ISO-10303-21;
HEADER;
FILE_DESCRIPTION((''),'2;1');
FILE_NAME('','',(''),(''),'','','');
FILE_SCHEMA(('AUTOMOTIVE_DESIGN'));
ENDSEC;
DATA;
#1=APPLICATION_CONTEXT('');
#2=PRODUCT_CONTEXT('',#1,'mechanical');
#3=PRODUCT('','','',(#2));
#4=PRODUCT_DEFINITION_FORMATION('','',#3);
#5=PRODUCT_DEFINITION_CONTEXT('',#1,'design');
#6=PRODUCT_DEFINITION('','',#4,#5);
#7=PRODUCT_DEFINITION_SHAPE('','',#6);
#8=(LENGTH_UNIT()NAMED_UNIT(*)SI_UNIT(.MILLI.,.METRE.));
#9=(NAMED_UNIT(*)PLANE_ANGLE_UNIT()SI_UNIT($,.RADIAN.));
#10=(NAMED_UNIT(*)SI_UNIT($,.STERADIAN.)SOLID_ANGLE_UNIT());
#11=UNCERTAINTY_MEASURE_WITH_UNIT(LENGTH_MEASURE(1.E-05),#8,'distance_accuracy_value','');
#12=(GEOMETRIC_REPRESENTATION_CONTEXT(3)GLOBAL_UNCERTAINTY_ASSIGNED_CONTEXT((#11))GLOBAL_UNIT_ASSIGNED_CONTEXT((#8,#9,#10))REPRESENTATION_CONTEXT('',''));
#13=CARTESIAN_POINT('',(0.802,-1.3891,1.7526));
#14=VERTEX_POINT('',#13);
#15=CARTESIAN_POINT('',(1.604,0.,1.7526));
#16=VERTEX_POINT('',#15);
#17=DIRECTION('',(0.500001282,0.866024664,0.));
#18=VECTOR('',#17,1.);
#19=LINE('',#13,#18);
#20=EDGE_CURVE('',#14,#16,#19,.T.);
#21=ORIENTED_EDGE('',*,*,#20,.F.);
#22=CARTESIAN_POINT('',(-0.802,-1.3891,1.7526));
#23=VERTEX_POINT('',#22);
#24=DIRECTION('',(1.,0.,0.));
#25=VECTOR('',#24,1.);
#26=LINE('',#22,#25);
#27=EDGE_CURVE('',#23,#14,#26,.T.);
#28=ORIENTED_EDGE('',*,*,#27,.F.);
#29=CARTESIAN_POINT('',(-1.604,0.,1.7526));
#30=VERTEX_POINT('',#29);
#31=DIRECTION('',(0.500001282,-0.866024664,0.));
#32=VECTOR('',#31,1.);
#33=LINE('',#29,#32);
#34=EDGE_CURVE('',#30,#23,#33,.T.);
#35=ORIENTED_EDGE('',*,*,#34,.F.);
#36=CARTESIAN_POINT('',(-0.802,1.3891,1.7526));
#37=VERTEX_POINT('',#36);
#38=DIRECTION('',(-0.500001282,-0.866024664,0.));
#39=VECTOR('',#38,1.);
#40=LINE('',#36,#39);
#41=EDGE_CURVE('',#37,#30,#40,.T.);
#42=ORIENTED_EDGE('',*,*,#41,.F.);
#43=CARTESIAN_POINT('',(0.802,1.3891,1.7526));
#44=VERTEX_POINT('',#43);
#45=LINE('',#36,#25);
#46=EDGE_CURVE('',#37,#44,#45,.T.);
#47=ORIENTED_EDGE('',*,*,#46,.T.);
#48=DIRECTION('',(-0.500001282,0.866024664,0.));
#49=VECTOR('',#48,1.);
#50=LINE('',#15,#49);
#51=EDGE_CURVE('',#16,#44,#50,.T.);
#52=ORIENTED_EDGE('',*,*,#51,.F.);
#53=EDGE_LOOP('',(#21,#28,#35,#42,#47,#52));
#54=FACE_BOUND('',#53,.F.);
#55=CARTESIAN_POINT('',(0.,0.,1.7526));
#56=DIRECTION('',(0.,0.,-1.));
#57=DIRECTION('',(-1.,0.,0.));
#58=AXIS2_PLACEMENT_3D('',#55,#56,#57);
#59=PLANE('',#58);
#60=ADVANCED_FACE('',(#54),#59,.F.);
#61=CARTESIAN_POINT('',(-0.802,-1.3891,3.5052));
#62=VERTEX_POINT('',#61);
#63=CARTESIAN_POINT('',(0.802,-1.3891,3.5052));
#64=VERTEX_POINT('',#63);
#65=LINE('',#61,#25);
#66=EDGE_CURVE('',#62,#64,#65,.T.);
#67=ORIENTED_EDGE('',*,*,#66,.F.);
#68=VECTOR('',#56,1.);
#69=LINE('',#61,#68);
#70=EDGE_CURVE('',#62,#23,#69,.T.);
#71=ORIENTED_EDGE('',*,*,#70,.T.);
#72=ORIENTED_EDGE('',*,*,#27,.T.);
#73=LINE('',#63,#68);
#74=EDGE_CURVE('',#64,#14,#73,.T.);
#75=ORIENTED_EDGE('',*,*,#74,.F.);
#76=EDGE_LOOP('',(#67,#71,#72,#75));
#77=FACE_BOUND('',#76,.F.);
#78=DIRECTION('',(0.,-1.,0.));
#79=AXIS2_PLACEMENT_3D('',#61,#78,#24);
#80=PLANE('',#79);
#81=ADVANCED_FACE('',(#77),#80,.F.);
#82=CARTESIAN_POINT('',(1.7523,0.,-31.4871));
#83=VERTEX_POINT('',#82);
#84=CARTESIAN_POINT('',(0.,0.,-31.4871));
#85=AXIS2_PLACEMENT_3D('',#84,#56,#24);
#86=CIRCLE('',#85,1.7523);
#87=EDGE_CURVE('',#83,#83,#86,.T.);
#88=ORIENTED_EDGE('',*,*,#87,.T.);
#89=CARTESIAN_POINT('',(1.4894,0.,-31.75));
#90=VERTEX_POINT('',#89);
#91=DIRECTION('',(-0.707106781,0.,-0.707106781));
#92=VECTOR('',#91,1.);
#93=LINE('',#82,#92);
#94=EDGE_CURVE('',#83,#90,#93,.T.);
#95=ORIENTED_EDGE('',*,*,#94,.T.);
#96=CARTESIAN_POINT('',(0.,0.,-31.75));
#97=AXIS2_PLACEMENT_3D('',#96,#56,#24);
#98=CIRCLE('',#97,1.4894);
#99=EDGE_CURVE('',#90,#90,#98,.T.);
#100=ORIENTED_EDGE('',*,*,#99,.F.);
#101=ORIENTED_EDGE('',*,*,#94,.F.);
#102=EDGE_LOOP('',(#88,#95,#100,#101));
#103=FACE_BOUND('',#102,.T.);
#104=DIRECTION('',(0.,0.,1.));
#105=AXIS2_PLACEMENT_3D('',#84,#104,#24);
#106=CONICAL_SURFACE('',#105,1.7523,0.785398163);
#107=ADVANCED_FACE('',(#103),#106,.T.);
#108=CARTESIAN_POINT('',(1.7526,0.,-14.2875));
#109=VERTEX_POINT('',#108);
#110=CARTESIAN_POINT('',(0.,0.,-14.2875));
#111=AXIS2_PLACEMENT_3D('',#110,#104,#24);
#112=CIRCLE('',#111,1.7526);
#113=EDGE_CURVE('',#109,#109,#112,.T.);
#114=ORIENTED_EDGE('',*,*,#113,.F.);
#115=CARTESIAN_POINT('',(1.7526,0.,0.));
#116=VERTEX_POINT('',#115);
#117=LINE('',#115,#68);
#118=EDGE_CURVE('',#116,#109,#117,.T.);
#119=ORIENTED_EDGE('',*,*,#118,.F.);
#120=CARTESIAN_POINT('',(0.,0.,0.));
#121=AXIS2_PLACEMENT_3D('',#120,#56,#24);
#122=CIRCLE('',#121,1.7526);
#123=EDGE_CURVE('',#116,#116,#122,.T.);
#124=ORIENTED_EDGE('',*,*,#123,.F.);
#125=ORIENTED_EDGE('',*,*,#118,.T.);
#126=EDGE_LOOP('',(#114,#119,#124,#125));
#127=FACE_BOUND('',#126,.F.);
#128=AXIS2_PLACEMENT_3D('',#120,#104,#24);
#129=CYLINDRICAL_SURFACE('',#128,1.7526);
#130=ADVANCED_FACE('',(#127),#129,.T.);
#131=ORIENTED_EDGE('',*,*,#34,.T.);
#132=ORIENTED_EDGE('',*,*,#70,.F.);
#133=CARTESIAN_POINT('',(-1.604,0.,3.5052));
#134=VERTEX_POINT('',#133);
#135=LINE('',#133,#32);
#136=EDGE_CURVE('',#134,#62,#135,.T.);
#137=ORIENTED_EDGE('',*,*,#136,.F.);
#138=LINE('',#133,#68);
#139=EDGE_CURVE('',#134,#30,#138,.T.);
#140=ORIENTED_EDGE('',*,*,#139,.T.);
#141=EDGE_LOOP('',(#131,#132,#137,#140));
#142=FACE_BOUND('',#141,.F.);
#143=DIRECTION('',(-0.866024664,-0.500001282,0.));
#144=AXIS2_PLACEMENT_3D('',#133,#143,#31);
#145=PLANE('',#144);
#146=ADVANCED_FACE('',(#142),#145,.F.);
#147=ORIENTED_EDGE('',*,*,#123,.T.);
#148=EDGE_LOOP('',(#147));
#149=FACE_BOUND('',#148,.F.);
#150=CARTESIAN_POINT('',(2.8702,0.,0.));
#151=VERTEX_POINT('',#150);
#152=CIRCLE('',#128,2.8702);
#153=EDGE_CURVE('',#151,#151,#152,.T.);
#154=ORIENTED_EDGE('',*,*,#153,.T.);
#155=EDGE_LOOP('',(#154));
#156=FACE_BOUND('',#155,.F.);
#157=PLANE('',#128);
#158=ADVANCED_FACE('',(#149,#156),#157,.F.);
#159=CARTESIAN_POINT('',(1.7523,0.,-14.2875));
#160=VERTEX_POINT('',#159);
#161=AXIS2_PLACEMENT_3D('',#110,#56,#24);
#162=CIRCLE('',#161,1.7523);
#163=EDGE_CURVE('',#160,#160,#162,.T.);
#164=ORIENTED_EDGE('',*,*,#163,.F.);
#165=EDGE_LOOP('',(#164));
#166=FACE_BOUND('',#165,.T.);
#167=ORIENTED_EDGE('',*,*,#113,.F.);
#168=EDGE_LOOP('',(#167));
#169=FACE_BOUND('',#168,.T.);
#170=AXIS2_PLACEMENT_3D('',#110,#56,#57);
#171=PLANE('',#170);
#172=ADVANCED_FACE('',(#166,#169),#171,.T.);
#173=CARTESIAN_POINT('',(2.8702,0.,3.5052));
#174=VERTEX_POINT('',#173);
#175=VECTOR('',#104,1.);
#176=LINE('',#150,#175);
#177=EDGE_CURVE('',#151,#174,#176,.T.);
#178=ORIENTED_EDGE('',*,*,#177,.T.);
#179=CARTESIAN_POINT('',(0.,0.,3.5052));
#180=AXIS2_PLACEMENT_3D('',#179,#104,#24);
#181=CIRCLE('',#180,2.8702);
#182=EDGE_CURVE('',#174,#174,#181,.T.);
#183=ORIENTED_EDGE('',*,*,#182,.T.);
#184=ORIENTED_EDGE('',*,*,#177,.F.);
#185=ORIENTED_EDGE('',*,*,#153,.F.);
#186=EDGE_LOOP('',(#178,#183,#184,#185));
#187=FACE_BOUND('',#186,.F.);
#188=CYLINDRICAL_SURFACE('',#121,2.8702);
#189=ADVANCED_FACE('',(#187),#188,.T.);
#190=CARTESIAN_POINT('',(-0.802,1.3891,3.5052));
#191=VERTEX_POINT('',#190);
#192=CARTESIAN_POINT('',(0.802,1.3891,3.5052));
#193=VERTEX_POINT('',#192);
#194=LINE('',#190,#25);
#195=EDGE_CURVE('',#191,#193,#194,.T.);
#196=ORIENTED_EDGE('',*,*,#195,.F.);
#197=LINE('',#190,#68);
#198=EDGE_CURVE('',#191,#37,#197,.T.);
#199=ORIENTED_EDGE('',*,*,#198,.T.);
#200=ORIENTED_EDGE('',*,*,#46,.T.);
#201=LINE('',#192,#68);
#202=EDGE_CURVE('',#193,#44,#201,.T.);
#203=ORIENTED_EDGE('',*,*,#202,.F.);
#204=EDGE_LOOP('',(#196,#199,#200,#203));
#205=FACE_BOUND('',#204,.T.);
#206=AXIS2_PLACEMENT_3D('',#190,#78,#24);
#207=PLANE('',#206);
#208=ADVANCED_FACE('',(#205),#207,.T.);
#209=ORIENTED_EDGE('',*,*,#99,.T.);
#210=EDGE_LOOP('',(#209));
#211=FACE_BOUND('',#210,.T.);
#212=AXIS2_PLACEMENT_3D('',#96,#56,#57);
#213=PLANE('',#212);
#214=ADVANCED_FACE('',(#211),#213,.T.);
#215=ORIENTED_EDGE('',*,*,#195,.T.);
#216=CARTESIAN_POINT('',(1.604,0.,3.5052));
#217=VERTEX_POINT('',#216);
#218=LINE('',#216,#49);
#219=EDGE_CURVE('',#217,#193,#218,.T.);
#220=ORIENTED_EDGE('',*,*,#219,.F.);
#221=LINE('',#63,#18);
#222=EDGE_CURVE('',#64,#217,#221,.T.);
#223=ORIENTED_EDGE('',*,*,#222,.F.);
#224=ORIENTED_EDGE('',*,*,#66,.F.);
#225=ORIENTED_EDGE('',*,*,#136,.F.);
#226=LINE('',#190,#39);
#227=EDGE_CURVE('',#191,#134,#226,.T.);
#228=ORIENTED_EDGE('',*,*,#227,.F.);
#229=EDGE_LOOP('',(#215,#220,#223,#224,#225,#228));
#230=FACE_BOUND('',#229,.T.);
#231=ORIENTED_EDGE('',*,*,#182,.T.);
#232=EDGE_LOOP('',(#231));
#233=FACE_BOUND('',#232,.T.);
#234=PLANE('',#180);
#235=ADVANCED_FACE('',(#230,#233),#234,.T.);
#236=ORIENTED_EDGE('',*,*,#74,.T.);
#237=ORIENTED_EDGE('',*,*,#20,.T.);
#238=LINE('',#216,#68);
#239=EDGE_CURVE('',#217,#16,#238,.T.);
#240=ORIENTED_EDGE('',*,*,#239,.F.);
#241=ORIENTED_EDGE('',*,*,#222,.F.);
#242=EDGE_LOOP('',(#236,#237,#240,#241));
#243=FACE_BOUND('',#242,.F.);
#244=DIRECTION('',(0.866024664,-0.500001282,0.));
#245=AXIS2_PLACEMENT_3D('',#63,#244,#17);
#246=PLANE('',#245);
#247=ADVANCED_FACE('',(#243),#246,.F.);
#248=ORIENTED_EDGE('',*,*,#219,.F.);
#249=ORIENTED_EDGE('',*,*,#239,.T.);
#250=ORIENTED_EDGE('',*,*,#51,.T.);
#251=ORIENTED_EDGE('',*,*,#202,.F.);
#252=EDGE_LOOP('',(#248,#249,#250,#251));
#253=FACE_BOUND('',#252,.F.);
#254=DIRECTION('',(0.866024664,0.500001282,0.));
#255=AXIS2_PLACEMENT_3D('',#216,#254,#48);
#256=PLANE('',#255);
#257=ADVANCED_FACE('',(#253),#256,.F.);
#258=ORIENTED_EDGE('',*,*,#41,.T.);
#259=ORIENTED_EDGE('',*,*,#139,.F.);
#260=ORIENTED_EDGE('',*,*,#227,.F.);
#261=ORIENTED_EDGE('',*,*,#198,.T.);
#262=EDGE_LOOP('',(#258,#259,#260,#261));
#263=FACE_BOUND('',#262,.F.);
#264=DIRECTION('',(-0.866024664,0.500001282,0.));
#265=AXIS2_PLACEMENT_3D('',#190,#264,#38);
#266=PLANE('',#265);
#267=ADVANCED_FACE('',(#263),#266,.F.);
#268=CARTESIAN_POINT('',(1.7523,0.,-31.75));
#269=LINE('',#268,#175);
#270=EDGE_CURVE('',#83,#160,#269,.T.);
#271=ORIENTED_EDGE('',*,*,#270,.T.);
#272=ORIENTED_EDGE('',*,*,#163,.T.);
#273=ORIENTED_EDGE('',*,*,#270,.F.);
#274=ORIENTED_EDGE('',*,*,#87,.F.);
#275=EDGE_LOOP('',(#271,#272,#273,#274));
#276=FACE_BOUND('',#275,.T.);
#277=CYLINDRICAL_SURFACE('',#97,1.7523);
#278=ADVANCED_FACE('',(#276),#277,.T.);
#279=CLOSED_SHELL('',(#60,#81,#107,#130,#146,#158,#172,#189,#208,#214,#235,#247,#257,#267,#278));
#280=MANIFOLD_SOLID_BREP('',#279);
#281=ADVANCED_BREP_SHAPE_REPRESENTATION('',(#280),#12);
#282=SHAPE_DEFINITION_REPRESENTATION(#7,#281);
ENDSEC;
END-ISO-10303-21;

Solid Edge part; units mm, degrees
sketch "Sketch1" plane through (0, 0, 0) normal (0, 0, 1) x (1, 0, 0)
  circle A0 centre (0, 0) radius 2.8702
  dimension "D1" = 5.7404
extrude "Protrusion1" add sketch "Sketch1" along normal blind 3.5052
sketch "Sketch2" plane through (0, 0, 0) normal (0, 0, -1) x (1, 0, 0)
  circle A0 centre (0, 0) radius 1.7526
extrude "Protrusion2" add sketch "Sketch2" along normal blind 31.75
sketch "Sketch3" plane through (0, 0, -31.75) normal (0, 0, -1) x (1, 0, 0)
  circle A0 centre (0, 0) radius 1.7523
extrude "Cutout1" cut sketch "Sketch3" against normal blind 17.4625 flip side to cut
chamfer "Chamfer_1" distance 0.2629 angle 45 1 edges at (-1.7523, 0, -31.75)
sketch "Sketch4" plane through (0, 0, 3.5052) normal (0, 0, 1) x (1, 0, 0)
  line L0 (-0.802, 1.3891) -> (0.802, 1.3891)
  line L1 (1.604, 0) -> (0.802, 1.3891)
  line L2 (0.802, -1.3891) -> (1.604, 0)
  line L3 (-0.802, -1.3891) -> (0.802, -1.3891)
  line L4 (-1.604, 0) -> (-0.802, -1.3891)
  line L5 (-0.802, 1.3891) -> (-1.604, 0)
  dimension "D1" = 2.7781
extrude "Cutout2" cut sketch "Sketch4" against normal blind 1.7526
properties part number "185673"
